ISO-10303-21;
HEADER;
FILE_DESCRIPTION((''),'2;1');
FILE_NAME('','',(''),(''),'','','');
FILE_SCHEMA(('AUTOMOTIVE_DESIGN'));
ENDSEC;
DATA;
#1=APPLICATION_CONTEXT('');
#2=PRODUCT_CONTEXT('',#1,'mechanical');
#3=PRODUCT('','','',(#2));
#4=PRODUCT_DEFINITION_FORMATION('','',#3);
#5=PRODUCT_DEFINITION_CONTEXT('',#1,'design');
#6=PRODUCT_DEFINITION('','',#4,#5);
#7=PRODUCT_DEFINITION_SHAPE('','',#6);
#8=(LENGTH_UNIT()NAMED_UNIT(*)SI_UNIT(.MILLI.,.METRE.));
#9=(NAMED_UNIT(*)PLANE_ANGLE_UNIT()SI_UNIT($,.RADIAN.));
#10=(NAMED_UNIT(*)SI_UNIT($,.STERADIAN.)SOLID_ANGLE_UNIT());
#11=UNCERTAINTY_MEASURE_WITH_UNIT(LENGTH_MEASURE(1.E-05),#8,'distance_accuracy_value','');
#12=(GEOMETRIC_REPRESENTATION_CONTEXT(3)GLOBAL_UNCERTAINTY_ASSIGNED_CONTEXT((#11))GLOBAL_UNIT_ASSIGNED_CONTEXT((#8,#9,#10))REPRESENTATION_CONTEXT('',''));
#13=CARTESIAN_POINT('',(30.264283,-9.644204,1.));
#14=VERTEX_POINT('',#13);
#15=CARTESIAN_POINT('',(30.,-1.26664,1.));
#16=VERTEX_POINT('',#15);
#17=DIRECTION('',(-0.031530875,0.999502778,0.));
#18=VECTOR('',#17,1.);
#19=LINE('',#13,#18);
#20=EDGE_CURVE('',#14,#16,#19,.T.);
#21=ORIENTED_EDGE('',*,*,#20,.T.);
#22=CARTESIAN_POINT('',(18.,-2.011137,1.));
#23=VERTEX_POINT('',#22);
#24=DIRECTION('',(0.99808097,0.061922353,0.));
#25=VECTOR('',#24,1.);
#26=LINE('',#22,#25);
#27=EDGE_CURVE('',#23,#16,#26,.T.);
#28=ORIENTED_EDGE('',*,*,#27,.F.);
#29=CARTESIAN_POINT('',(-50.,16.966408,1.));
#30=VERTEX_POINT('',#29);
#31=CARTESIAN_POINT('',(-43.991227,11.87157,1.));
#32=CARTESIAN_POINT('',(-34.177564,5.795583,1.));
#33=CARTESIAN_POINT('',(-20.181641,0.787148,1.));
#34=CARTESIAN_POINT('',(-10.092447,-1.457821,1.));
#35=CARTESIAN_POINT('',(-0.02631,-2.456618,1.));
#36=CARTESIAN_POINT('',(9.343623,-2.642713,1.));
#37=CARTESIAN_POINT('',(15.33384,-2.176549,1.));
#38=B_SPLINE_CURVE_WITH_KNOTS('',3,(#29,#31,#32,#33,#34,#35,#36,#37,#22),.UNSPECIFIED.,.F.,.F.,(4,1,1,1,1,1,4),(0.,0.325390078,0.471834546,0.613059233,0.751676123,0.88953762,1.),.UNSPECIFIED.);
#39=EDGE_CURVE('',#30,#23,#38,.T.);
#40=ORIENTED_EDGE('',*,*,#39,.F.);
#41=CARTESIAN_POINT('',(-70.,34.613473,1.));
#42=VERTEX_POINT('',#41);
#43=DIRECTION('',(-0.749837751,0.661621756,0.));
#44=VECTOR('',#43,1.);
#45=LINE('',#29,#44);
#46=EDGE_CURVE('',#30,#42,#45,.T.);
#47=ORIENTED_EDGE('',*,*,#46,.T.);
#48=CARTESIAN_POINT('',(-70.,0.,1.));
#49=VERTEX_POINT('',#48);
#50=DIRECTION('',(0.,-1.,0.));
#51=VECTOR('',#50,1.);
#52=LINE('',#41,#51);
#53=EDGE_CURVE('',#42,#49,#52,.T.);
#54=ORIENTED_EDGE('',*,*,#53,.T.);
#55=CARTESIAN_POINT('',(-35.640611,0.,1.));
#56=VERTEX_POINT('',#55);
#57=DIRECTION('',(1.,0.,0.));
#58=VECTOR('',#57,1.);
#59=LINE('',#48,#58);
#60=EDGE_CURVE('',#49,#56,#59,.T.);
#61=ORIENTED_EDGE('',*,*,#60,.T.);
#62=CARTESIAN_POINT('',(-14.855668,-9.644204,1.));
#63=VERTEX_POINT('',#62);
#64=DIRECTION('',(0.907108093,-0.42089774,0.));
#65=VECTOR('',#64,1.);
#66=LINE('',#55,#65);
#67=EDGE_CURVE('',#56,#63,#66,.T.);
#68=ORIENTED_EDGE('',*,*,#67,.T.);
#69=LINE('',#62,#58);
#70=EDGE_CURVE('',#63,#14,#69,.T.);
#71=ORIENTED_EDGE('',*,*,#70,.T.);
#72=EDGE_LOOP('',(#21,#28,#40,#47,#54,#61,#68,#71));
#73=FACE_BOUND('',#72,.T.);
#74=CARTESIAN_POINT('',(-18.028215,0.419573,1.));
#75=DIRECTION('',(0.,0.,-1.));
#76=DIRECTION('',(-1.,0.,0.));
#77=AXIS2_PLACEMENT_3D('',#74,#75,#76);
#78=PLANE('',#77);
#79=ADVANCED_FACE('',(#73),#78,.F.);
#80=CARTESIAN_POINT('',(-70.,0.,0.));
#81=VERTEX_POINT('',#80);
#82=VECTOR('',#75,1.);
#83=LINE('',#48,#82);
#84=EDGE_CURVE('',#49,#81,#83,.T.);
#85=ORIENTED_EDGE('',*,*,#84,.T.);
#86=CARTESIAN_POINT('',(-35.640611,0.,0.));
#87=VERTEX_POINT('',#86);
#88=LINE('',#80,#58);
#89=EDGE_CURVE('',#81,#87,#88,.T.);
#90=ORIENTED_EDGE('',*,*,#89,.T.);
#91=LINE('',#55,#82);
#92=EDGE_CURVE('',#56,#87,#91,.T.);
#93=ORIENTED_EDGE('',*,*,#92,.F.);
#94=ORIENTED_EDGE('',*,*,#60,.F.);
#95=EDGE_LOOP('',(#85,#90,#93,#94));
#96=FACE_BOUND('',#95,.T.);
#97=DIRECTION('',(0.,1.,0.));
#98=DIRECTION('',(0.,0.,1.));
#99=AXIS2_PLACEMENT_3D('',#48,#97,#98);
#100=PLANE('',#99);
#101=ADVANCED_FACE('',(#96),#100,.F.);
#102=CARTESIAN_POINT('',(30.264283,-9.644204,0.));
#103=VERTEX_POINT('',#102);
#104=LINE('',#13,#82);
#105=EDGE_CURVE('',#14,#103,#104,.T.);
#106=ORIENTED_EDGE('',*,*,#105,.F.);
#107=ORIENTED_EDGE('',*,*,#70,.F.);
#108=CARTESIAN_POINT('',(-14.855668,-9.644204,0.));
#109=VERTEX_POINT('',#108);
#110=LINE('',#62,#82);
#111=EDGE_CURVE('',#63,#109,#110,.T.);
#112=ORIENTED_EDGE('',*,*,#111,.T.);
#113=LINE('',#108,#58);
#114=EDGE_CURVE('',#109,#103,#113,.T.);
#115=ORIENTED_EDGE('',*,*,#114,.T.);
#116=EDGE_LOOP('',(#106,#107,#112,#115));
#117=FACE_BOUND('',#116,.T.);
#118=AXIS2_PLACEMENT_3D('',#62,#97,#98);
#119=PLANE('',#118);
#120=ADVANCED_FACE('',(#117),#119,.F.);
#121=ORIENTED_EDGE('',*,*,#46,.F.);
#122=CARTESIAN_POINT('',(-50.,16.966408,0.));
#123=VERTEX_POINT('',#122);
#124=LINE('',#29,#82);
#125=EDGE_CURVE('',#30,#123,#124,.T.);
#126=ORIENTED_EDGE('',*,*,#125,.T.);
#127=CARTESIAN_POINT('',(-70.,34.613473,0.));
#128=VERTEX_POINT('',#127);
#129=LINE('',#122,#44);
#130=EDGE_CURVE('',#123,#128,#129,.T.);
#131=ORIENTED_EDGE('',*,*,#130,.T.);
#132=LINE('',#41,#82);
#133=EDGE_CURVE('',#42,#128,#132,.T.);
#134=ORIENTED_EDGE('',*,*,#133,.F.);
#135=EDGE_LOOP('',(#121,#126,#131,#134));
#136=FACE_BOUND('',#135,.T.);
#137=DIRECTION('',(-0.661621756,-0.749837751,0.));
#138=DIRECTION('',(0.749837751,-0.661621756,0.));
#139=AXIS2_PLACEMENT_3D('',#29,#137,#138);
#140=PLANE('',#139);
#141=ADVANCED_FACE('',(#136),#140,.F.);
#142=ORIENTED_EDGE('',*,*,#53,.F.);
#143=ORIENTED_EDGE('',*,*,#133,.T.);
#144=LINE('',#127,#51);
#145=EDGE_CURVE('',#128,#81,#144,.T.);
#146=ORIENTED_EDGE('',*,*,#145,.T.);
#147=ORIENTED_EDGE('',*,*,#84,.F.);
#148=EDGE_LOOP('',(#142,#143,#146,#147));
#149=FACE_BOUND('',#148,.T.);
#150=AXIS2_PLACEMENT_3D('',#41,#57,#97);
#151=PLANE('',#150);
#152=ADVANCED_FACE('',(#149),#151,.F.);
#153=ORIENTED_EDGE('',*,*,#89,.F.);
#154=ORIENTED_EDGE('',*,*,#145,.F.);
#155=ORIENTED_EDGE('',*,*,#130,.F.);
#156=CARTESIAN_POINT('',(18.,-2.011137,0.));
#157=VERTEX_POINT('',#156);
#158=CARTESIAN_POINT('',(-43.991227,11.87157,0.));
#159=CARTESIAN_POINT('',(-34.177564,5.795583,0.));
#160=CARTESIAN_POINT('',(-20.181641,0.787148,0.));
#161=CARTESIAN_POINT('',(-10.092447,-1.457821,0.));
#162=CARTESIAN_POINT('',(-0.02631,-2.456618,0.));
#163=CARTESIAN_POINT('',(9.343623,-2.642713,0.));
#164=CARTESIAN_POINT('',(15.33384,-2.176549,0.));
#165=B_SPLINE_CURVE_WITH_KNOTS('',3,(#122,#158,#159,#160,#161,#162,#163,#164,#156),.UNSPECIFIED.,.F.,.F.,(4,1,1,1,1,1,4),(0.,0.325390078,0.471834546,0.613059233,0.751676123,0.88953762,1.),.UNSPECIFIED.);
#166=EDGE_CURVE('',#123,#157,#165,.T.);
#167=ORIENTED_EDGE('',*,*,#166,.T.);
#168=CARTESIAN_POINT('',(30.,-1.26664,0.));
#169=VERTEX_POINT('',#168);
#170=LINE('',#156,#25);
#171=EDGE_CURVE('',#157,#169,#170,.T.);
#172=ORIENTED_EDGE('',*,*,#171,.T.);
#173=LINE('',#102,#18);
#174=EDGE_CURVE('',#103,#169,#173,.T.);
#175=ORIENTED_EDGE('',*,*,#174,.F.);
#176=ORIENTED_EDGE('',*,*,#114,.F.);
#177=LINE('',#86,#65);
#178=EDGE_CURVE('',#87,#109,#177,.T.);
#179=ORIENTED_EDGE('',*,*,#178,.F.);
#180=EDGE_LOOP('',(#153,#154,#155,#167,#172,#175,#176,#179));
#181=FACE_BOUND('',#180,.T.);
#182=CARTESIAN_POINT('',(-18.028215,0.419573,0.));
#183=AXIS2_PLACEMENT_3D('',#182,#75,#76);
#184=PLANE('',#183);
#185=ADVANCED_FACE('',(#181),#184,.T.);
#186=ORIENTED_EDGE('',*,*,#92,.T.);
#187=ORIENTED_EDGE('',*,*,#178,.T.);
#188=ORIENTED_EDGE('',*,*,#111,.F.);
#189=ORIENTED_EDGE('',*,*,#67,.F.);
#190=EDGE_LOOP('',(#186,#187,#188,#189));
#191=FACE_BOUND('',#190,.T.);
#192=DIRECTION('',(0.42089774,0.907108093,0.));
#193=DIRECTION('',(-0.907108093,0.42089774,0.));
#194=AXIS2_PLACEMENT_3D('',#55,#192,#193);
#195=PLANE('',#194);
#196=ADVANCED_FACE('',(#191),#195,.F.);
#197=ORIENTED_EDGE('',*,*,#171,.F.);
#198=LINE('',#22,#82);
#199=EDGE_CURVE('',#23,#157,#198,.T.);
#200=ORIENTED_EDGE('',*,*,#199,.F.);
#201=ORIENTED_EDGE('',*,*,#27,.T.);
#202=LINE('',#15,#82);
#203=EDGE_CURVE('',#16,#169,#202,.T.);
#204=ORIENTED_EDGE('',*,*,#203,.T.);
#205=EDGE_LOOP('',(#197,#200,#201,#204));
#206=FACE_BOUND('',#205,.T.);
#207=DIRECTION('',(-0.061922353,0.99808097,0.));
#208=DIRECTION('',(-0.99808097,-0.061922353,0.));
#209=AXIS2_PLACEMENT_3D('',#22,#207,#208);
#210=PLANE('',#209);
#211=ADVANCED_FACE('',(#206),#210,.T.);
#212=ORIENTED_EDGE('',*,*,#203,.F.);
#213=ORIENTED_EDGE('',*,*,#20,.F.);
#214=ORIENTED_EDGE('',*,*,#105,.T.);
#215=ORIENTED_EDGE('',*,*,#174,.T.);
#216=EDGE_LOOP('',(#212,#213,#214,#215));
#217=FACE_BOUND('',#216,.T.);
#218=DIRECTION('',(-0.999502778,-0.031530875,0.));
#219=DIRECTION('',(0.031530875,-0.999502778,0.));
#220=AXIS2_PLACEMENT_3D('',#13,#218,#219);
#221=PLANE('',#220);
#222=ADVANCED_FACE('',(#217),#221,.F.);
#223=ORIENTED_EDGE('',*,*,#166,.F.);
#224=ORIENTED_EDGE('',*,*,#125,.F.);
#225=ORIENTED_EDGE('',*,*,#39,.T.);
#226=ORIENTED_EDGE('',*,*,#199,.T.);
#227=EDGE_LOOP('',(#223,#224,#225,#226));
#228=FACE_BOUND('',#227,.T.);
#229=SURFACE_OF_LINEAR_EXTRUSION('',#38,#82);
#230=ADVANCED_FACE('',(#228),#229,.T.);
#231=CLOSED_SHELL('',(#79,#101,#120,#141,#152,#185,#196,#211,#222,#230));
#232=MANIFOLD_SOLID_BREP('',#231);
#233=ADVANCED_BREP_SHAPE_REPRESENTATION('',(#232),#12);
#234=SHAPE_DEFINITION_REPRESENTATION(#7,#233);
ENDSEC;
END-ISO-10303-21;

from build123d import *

# Parameters (mm, degrees)
P_IDAT_VYSUNUT_M1_DEPTH = 1


with BuildPart() as part:
    # Skica1 → Přidat vysunutím1 (new body)
    with BuildSketch(Plane.XY):
        with BuildLine():
            Line((-50, 16.966408225), (-70, 34.613472684))
            Line((-70, 34.613472684), (-70, 0))
            Line((-70, 0), (-35.640611214, 0))
            Line((-35.640611214, 0), (-14.855667701, -9.644204288))
            Line((-14.855667701, -9.644204288), (30.264283345, -9.644204288))
            Line((30.264283345, -9.644204288), (30, -1.266639703))
            Line((30, -1.266639703), (18, -2.011136657))
            add(Edge.make_bspline(
                [(-50, 16.966408225), (-43.991226664, 11.871570217), (-34.17756419, 5.795583319), (-20.181640748, 0.787148233), (-10.092446875, -1.45782146), (-0.026309786, -2.456617667), (9.343623235, -2.642712691), (15.33383978, -2.176549004), (18, -2.011136657)],
                knots=[0, 0, 0, 0, 0.325390078, 0.471834546, 0.613059233, 0.751676123, 0.88953762, 1, 1, 1, 1], degree=3))
        make_face()
    extrude(amount=P_IDAT_VYSUNUT_M1_DEPTH)


solid = part.part
